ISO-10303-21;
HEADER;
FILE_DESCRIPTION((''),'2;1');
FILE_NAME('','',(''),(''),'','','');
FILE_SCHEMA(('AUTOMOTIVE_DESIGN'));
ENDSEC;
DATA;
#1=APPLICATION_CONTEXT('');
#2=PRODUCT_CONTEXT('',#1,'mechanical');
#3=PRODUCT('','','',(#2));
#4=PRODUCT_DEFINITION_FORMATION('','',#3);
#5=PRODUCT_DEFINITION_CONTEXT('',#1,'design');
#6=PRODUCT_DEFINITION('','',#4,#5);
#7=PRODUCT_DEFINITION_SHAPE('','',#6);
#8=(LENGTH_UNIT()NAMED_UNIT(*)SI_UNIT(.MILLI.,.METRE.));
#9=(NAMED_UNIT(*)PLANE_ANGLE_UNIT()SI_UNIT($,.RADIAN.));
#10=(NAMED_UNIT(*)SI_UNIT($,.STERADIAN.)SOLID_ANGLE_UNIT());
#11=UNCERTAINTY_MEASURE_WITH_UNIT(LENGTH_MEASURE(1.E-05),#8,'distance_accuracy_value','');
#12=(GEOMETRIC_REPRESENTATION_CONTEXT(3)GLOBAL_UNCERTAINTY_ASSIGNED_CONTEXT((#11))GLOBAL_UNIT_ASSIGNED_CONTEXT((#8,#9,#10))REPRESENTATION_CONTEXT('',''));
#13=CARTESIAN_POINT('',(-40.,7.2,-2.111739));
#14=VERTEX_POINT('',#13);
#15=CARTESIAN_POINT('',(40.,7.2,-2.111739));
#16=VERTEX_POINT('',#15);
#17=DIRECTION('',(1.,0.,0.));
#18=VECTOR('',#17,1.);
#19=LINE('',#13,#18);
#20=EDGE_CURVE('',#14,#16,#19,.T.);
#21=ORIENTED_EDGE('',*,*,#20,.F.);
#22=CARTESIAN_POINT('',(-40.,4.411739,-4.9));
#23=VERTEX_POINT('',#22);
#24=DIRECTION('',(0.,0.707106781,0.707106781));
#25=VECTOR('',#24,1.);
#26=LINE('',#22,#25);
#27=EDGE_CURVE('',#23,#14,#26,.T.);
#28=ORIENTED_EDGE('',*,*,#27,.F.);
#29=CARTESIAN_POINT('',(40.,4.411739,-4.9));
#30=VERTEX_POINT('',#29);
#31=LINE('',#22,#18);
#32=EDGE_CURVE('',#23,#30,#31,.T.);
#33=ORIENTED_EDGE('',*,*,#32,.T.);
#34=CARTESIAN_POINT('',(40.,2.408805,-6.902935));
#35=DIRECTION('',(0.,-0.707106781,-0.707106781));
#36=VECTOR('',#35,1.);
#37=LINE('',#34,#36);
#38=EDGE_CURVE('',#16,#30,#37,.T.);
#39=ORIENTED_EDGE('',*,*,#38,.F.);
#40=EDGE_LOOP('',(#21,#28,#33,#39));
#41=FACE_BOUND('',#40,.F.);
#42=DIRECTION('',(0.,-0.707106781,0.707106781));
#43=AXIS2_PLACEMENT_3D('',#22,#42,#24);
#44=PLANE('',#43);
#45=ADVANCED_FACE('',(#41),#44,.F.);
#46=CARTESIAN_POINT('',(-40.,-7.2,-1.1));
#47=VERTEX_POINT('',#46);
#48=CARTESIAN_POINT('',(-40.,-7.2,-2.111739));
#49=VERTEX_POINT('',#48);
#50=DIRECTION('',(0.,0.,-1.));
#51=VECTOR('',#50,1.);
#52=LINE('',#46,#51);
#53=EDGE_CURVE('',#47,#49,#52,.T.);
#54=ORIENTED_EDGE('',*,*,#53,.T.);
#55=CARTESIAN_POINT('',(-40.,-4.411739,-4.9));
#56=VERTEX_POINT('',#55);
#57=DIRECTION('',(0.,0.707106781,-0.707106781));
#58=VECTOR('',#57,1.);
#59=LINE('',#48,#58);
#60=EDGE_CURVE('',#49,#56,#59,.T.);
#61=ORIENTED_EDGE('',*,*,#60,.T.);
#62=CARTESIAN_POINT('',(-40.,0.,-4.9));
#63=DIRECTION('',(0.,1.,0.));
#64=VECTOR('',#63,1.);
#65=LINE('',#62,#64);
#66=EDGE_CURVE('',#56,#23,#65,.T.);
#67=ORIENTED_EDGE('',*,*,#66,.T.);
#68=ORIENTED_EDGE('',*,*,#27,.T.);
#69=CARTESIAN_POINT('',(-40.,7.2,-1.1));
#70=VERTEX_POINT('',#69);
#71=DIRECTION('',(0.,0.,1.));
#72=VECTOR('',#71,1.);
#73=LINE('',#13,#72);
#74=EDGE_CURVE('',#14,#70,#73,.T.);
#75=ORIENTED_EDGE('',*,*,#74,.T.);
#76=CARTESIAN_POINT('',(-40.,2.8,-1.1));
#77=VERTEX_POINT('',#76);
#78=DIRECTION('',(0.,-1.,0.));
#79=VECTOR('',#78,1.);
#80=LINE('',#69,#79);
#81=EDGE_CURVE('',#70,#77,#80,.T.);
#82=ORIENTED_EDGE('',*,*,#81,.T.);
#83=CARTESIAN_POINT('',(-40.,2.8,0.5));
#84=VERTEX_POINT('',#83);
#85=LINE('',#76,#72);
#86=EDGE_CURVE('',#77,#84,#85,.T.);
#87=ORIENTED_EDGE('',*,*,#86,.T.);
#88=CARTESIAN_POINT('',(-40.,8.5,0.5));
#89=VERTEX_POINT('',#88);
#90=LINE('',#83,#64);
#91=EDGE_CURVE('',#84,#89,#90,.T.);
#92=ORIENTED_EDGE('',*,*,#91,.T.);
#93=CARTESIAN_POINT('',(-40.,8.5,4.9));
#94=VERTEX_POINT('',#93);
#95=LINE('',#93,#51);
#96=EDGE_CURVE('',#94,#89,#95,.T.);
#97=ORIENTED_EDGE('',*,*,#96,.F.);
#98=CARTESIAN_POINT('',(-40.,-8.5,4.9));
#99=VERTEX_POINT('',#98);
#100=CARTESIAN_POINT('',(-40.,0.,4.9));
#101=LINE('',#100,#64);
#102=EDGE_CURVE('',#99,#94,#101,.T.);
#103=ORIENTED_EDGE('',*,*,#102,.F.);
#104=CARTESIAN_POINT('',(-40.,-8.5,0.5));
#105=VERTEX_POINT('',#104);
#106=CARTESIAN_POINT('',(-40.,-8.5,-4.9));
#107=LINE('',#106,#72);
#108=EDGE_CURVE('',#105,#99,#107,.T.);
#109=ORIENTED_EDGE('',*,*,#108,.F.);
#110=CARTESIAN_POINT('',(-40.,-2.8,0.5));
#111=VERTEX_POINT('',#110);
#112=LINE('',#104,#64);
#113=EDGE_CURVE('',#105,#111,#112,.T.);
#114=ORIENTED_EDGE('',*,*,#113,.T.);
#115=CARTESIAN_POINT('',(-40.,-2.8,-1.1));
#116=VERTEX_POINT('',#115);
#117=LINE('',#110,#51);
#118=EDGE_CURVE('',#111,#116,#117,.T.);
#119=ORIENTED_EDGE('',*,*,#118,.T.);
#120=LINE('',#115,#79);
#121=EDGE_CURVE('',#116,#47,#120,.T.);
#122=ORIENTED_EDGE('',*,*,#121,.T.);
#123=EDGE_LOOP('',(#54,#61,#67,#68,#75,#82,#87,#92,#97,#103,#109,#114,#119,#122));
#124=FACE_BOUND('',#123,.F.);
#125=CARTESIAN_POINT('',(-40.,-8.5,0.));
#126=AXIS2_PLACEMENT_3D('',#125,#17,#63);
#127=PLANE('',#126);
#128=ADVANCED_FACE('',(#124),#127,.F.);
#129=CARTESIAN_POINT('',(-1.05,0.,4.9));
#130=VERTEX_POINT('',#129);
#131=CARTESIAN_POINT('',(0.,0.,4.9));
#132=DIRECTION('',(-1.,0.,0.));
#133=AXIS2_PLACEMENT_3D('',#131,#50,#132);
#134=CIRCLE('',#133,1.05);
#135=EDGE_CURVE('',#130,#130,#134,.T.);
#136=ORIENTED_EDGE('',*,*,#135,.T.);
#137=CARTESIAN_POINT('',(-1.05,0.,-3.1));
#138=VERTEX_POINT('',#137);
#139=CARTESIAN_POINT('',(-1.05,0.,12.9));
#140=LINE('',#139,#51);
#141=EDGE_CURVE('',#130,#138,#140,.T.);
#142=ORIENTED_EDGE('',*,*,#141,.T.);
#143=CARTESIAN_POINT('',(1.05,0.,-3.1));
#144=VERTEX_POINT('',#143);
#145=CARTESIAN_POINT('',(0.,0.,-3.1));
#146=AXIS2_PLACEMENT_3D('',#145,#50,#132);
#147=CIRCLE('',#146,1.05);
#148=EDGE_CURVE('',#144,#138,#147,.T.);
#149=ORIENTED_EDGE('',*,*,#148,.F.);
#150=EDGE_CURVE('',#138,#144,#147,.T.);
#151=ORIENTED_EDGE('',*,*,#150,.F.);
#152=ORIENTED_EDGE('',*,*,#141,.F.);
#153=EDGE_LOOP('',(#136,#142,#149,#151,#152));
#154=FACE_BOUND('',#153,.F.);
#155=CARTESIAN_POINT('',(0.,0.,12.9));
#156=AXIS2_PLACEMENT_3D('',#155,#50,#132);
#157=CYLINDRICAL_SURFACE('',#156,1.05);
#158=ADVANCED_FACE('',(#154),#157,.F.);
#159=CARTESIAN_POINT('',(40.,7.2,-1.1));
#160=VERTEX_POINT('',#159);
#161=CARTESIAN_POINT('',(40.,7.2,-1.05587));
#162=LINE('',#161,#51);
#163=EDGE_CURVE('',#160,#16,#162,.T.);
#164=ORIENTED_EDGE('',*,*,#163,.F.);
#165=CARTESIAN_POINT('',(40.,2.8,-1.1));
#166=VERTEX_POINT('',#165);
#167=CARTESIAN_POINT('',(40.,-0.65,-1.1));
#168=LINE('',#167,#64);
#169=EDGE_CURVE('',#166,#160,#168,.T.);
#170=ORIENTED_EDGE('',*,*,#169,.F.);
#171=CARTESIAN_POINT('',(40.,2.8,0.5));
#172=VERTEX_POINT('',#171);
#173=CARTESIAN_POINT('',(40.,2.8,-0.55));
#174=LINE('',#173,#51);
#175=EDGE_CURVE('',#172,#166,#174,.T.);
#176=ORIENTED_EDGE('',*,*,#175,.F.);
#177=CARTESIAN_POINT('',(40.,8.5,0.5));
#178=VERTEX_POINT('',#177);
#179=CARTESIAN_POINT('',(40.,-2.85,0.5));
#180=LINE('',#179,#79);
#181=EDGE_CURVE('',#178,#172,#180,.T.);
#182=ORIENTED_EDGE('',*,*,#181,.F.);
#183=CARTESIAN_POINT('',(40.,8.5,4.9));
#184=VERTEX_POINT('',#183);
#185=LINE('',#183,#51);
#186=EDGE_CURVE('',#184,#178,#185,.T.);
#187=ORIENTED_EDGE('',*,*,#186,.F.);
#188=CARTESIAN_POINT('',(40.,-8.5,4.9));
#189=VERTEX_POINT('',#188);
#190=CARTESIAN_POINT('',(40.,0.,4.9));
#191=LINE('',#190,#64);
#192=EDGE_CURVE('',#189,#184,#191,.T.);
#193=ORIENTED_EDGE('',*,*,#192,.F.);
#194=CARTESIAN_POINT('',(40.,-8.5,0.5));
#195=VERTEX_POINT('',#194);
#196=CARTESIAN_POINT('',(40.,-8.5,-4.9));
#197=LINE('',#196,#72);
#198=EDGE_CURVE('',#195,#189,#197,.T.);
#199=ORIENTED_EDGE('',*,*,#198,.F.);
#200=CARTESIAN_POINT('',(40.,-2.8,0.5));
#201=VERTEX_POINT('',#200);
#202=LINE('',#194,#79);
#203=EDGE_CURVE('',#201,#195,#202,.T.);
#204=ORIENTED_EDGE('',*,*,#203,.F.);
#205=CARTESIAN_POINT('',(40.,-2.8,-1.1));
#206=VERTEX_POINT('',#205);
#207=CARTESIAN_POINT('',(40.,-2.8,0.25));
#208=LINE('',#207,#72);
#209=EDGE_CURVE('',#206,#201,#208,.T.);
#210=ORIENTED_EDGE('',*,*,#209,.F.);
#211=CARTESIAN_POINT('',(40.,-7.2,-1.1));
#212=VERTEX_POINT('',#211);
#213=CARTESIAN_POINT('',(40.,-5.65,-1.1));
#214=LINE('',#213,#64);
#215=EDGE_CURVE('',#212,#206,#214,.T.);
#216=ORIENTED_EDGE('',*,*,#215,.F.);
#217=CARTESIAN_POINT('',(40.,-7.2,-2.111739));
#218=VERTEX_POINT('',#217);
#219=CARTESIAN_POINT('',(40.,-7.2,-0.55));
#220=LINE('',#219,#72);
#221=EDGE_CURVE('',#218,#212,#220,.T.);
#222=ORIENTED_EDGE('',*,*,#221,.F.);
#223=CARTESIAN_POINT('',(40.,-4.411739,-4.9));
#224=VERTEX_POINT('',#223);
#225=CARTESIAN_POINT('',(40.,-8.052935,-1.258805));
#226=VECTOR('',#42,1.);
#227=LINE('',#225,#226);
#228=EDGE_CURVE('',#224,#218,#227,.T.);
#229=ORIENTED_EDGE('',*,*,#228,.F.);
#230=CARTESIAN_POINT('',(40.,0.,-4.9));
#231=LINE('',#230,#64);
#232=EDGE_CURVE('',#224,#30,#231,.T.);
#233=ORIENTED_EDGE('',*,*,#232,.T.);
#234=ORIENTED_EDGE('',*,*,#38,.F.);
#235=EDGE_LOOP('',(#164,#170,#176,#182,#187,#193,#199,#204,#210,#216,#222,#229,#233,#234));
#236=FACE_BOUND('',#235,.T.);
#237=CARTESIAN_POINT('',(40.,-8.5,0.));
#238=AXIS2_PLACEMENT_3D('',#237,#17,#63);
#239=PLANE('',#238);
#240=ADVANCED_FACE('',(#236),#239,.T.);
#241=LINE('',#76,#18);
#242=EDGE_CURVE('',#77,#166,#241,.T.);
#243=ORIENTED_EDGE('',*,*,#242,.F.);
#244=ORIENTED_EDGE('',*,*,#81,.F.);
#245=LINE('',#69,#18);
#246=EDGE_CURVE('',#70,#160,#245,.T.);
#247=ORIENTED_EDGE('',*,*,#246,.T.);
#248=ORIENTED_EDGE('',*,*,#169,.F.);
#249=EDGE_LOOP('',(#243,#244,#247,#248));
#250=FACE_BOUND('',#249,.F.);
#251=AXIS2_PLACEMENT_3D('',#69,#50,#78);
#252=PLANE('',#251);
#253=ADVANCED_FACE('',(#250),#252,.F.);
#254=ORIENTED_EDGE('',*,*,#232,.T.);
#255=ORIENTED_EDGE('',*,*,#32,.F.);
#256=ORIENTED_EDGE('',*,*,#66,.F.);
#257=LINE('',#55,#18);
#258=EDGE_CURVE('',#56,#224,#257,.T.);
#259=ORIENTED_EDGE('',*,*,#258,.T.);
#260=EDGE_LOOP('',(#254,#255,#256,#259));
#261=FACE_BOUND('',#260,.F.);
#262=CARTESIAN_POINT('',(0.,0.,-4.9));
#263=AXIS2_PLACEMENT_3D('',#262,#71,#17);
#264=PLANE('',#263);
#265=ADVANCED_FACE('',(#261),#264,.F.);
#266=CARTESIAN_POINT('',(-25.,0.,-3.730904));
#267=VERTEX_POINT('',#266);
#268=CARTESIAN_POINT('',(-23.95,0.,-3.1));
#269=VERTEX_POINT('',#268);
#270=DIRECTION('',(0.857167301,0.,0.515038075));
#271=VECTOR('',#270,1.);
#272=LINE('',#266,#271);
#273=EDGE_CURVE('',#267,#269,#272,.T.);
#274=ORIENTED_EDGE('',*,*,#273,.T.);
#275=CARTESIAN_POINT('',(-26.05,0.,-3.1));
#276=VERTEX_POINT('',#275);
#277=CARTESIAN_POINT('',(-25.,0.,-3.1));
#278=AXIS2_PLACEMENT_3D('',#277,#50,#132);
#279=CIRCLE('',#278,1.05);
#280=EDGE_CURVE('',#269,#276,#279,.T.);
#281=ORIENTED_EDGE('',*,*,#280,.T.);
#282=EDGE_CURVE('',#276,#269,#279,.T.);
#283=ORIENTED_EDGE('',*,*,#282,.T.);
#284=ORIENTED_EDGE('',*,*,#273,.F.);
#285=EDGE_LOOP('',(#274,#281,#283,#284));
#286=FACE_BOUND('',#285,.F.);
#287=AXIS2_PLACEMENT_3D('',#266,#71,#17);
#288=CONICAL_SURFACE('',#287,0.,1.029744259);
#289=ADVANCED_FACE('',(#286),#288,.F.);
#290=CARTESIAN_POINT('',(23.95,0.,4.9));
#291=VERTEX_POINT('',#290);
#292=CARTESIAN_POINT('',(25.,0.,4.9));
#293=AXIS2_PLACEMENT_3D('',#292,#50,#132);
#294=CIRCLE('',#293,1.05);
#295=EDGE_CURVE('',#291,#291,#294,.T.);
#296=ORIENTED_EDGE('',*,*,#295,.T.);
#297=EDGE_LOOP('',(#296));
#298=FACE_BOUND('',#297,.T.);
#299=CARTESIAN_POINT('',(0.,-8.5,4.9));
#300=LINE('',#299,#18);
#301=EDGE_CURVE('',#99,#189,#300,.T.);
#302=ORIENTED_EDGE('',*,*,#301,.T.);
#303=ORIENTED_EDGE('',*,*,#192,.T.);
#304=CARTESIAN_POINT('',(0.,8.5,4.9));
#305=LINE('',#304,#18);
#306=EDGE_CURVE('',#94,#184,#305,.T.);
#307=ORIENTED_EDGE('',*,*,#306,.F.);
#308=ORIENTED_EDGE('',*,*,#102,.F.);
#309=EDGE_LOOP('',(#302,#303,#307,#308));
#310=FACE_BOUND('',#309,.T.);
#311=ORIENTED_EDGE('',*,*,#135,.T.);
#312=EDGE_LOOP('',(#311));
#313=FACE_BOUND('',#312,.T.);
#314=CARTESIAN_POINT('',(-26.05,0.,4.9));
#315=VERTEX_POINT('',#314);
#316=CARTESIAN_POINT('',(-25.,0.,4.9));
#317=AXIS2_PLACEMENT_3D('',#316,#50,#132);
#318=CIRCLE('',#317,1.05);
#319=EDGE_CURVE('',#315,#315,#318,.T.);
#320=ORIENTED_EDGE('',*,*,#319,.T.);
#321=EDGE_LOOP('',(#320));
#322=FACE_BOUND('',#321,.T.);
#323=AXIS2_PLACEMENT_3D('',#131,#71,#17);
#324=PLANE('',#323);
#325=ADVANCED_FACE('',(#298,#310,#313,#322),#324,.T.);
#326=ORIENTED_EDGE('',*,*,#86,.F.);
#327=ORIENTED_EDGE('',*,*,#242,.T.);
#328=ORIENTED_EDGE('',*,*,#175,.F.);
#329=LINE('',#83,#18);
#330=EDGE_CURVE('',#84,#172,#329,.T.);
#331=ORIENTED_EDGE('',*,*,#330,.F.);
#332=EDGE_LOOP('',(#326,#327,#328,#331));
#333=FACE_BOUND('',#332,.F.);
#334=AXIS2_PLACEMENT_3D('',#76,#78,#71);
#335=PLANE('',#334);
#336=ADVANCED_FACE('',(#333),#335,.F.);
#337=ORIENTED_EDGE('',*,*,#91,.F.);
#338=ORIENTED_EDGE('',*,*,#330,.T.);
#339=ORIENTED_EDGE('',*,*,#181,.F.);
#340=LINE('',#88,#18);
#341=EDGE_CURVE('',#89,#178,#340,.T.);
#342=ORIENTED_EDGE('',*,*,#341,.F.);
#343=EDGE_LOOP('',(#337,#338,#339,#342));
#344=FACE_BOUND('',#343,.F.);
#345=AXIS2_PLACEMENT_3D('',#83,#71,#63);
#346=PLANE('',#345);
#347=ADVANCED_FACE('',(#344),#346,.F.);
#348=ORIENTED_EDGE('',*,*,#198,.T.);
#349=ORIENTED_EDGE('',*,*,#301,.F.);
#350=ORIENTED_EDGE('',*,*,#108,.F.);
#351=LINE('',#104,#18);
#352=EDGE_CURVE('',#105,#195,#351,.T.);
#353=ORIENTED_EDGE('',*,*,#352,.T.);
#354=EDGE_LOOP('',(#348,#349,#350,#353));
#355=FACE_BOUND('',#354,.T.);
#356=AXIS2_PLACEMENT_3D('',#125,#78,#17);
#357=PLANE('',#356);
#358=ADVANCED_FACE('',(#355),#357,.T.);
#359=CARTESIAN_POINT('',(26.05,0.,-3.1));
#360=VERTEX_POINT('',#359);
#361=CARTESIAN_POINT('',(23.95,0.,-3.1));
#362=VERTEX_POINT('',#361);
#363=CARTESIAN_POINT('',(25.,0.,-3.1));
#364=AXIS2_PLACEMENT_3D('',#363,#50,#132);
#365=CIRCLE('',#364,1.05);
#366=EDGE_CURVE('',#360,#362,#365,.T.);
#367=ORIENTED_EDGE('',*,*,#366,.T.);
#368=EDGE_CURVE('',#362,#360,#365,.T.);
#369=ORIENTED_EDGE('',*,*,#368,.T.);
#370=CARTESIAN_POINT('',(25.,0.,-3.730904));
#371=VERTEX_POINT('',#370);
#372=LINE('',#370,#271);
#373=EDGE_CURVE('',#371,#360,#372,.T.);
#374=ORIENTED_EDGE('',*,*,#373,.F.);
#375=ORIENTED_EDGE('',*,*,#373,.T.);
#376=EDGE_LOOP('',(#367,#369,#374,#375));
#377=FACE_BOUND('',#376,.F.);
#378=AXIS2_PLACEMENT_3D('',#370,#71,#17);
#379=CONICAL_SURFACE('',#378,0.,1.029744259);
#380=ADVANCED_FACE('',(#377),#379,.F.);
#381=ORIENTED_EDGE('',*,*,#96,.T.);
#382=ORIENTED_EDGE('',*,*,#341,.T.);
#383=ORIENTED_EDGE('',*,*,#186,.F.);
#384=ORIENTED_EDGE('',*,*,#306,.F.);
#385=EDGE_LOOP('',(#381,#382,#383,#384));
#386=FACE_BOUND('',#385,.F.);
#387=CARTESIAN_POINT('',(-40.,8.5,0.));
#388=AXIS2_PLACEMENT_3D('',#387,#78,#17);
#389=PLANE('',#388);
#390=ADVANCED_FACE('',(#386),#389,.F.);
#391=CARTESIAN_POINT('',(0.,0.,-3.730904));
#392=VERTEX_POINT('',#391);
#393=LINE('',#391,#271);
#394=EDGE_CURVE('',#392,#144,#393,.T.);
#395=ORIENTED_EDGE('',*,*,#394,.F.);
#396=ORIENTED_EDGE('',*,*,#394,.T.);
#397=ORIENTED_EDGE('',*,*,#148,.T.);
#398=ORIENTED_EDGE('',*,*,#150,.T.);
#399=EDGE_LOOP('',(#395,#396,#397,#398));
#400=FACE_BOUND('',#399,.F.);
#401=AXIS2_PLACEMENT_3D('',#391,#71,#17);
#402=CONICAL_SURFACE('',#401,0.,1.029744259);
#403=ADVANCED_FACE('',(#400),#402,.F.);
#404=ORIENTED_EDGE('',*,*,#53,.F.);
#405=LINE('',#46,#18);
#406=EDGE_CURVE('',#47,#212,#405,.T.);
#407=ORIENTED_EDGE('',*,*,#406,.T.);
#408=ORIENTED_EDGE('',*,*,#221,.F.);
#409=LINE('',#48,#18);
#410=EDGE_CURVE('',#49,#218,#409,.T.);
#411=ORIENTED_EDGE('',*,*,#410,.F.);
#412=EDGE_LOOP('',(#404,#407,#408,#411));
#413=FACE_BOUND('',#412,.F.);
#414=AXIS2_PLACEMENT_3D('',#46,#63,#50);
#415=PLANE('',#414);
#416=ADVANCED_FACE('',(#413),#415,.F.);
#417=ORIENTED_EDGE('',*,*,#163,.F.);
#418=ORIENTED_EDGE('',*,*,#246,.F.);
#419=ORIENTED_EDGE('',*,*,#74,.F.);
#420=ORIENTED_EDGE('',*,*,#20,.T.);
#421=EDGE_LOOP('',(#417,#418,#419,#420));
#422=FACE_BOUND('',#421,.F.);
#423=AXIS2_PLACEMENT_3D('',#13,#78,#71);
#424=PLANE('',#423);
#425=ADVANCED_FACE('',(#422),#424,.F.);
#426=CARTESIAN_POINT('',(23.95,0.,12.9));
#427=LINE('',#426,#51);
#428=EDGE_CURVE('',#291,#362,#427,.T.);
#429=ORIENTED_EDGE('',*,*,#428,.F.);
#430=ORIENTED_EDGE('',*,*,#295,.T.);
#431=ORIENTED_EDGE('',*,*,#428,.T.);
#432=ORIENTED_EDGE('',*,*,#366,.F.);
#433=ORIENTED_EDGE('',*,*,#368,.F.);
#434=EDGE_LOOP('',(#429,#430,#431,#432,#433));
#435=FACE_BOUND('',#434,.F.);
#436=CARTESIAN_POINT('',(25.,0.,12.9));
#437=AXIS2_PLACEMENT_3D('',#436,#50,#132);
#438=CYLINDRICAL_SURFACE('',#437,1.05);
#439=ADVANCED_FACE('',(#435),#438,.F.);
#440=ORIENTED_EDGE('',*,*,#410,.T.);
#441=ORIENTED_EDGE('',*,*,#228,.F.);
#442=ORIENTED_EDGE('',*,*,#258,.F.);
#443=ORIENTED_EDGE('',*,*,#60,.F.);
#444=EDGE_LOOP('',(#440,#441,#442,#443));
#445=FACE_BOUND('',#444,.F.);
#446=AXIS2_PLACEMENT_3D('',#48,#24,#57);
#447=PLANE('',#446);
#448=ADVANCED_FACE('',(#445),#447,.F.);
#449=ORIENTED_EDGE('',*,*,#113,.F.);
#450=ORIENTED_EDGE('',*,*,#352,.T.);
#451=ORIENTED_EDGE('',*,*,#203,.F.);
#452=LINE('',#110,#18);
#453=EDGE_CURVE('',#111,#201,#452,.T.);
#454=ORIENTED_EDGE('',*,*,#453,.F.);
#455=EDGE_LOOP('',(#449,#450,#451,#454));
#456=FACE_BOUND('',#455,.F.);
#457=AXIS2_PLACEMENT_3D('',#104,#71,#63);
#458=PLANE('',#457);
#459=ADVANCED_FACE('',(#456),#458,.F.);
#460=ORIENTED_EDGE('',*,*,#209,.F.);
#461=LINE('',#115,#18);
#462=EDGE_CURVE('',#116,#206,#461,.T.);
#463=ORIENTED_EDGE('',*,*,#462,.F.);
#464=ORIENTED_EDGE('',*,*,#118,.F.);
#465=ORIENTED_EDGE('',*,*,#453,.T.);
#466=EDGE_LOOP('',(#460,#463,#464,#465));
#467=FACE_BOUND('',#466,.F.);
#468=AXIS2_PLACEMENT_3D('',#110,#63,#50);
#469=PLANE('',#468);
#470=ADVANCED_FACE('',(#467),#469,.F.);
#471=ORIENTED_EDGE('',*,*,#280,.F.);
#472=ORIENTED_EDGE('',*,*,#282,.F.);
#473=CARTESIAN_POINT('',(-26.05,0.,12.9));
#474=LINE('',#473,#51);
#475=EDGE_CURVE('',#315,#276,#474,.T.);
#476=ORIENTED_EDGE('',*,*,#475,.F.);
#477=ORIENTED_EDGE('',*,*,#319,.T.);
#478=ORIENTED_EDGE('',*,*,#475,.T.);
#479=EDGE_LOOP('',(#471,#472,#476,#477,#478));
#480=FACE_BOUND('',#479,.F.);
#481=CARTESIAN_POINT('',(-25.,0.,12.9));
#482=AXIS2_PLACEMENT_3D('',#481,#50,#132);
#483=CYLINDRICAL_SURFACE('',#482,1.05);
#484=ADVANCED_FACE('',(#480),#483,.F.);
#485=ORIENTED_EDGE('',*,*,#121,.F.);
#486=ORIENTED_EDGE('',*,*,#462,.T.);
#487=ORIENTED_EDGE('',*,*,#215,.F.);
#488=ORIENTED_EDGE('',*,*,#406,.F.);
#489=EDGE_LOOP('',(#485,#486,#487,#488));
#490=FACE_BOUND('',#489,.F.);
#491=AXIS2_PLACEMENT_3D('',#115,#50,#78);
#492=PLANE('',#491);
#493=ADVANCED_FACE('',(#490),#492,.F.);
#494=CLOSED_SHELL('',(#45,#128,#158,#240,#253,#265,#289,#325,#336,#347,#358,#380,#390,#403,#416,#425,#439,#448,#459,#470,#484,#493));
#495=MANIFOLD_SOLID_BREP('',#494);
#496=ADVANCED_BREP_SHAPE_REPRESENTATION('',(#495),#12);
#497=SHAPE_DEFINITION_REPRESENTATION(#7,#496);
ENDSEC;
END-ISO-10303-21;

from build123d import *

# Parameters (mm, degrees)
F0_W     = 80
F0_H     = 17
F1_DEPTH = 4.9
F3_DEPTH = 80.001
F5_D     = 2.1
F5_DEPTH = 8
F5_TIP   = 0.63090365


with BuildPart() as f1:
    # F0 (on Top) → F1 (new body, symmetric)
    with BuildSketch(Plane.XY):
        Rectangle(F0_W, F0_H)
    extrude(amount=F1_DEPTH, both=True)

    # F2 (on face) → F3 (cut, through all)
    with BuildSketch(Plane(origin=(-40, 0, 0), x_dir=(0, -1, 0), z_dir=(-1, 0, 0))):
        Polygon((-2.8, 0.5), (-8.5, 0.5), (-8.5, -4.9), (-4.411739485, -4.9), (-7.2, -2.111739485), (-7.2, -1.1), (-2.8, -1.1), align=None)
        Polygon((8.5, 0.5), (2.8, 0.5), (2.8, -1.1), (7.2, -1.1), (7.2, -2.111739485), (4.411739485, -4.9), (8.5, -4.9), align=None)
    extrude(amount=-F3_DEPTH, mode=Mode.SUBTRACT)

    # F5
    with Locations(Plane.XY.offset(4.9)):
        with Locations((-25, 0), (25, 0), (0, 0)):
            Hole(F5_D / 2, depth=F5_DEPTH)
            with Locations((0, 0, -(F5_DEPTH + F5_TIP / 2))):  # 118° drill point
                Cone(0, F5_D / 2, F5_TIP, mode=Mode.SUBTRACT)


solid = f1.part
